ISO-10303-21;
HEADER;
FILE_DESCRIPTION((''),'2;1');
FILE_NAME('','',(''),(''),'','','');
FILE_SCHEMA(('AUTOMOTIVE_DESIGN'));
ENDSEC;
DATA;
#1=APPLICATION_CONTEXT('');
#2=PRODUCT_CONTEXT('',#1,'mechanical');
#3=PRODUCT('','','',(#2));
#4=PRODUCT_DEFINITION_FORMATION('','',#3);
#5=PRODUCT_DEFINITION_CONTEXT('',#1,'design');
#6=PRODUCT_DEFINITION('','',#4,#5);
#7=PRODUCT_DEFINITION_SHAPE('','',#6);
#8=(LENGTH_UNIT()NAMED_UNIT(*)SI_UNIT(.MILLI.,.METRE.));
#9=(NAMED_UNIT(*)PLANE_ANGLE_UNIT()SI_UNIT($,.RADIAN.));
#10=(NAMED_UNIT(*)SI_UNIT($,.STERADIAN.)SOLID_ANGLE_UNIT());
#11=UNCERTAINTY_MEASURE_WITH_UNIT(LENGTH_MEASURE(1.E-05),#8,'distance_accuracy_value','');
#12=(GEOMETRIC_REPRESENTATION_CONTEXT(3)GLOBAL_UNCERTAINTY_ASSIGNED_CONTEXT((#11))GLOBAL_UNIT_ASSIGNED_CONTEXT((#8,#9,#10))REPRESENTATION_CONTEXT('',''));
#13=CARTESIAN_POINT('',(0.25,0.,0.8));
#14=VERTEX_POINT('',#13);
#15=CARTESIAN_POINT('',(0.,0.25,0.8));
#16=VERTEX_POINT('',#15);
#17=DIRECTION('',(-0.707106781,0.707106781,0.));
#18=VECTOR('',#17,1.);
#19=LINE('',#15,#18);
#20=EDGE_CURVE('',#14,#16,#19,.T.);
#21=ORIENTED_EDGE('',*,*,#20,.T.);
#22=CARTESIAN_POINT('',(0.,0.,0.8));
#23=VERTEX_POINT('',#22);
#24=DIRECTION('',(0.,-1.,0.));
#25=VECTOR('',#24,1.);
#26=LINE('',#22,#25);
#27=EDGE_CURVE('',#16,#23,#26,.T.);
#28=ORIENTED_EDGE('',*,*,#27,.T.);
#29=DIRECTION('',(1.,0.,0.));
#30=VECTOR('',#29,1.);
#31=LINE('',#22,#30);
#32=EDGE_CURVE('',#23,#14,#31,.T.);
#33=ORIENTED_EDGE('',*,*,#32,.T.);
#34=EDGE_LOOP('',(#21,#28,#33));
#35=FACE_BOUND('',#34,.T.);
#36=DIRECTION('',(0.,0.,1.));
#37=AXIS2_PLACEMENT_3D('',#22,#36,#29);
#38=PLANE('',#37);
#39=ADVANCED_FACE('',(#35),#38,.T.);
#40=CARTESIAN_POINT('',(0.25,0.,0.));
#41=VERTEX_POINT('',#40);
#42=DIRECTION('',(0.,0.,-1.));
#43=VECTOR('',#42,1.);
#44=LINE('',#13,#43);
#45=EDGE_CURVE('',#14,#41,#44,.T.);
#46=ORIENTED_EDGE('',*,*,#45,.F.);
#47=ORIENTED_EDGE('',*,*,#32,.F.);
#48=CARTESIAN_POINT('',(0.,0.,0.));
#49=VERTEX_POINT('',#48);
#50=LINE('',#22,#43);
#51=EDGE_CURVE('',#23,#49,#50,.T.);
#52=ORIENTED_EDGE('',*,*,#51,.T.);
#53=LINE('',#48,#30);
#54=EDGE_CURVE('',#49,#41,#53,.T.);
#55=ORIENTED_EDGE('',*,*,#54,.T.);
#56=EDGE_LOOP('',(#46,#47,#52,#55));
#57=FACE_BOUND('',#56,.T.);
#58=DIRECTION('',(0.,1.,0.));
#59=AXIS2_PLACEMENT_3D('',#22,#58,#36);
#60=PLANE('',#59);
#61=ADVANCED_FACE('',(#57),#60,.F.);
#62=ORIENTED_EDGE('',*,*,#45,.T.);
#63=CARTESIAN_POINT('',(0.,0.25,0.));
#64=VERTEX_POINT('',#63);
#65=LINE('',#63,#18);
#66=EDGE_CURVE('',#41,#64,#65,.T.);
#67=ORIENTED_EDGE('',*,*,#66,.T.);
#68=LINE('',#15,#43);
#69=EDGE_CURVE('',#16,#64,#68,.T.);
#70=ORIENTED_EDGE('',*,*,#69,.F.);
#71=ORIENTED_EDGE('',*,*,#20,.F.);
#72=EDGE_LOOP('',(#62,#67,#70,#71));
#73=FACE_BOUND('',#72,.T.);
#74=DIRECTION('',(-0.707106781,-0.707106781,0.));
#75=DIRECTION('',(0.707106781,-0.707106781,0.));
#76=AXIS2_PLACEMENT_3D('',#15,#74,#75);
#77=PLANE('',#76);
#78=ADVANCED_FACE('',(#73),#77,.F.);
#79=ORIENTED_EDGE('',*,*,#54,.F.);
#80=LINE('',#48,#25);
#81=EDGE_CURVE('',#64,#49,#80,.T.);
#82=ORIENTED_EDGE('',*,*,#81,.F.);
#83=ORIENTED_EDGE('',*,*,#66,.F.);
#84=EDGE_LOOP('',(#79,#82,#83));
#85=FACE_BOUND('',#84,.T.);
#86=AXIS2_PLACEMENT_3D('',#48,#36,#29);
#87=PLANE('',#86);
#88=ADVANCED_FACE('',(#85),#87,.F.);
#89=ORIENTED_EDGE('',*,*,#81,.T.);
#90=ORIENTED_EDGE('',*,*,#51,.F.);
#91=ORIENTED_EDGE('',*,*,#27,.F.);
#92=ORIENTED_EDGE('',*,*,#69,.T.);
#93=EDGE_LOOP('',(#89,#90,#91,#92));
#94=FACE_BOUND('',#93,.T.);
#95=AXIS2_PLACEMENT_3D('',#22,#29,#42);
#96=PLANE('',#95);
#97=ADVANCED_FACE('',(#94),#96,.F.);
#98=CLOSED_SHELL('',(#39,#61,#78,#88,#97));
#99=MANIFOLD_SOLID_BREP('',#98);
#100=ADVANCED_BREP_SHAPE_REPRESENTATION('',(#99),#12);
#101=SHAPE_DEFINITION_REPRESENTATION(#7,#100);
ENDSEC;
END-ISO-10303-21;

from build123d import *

# Parameters (mm, degrees)
BOSS_EXTRUDE1_DEPTH = 0.8


with BuildPart() as part:
    # Sketch1 → Boss-Extrude1 (new body)
    with BuildSketch(Plane.XY):
        Polygon((0, 0), (0, 0.25), (0.25, 0), align=None)
    extrude(amount=BOSS_EXTRUDE1_DEPTH)


solid = part.part
